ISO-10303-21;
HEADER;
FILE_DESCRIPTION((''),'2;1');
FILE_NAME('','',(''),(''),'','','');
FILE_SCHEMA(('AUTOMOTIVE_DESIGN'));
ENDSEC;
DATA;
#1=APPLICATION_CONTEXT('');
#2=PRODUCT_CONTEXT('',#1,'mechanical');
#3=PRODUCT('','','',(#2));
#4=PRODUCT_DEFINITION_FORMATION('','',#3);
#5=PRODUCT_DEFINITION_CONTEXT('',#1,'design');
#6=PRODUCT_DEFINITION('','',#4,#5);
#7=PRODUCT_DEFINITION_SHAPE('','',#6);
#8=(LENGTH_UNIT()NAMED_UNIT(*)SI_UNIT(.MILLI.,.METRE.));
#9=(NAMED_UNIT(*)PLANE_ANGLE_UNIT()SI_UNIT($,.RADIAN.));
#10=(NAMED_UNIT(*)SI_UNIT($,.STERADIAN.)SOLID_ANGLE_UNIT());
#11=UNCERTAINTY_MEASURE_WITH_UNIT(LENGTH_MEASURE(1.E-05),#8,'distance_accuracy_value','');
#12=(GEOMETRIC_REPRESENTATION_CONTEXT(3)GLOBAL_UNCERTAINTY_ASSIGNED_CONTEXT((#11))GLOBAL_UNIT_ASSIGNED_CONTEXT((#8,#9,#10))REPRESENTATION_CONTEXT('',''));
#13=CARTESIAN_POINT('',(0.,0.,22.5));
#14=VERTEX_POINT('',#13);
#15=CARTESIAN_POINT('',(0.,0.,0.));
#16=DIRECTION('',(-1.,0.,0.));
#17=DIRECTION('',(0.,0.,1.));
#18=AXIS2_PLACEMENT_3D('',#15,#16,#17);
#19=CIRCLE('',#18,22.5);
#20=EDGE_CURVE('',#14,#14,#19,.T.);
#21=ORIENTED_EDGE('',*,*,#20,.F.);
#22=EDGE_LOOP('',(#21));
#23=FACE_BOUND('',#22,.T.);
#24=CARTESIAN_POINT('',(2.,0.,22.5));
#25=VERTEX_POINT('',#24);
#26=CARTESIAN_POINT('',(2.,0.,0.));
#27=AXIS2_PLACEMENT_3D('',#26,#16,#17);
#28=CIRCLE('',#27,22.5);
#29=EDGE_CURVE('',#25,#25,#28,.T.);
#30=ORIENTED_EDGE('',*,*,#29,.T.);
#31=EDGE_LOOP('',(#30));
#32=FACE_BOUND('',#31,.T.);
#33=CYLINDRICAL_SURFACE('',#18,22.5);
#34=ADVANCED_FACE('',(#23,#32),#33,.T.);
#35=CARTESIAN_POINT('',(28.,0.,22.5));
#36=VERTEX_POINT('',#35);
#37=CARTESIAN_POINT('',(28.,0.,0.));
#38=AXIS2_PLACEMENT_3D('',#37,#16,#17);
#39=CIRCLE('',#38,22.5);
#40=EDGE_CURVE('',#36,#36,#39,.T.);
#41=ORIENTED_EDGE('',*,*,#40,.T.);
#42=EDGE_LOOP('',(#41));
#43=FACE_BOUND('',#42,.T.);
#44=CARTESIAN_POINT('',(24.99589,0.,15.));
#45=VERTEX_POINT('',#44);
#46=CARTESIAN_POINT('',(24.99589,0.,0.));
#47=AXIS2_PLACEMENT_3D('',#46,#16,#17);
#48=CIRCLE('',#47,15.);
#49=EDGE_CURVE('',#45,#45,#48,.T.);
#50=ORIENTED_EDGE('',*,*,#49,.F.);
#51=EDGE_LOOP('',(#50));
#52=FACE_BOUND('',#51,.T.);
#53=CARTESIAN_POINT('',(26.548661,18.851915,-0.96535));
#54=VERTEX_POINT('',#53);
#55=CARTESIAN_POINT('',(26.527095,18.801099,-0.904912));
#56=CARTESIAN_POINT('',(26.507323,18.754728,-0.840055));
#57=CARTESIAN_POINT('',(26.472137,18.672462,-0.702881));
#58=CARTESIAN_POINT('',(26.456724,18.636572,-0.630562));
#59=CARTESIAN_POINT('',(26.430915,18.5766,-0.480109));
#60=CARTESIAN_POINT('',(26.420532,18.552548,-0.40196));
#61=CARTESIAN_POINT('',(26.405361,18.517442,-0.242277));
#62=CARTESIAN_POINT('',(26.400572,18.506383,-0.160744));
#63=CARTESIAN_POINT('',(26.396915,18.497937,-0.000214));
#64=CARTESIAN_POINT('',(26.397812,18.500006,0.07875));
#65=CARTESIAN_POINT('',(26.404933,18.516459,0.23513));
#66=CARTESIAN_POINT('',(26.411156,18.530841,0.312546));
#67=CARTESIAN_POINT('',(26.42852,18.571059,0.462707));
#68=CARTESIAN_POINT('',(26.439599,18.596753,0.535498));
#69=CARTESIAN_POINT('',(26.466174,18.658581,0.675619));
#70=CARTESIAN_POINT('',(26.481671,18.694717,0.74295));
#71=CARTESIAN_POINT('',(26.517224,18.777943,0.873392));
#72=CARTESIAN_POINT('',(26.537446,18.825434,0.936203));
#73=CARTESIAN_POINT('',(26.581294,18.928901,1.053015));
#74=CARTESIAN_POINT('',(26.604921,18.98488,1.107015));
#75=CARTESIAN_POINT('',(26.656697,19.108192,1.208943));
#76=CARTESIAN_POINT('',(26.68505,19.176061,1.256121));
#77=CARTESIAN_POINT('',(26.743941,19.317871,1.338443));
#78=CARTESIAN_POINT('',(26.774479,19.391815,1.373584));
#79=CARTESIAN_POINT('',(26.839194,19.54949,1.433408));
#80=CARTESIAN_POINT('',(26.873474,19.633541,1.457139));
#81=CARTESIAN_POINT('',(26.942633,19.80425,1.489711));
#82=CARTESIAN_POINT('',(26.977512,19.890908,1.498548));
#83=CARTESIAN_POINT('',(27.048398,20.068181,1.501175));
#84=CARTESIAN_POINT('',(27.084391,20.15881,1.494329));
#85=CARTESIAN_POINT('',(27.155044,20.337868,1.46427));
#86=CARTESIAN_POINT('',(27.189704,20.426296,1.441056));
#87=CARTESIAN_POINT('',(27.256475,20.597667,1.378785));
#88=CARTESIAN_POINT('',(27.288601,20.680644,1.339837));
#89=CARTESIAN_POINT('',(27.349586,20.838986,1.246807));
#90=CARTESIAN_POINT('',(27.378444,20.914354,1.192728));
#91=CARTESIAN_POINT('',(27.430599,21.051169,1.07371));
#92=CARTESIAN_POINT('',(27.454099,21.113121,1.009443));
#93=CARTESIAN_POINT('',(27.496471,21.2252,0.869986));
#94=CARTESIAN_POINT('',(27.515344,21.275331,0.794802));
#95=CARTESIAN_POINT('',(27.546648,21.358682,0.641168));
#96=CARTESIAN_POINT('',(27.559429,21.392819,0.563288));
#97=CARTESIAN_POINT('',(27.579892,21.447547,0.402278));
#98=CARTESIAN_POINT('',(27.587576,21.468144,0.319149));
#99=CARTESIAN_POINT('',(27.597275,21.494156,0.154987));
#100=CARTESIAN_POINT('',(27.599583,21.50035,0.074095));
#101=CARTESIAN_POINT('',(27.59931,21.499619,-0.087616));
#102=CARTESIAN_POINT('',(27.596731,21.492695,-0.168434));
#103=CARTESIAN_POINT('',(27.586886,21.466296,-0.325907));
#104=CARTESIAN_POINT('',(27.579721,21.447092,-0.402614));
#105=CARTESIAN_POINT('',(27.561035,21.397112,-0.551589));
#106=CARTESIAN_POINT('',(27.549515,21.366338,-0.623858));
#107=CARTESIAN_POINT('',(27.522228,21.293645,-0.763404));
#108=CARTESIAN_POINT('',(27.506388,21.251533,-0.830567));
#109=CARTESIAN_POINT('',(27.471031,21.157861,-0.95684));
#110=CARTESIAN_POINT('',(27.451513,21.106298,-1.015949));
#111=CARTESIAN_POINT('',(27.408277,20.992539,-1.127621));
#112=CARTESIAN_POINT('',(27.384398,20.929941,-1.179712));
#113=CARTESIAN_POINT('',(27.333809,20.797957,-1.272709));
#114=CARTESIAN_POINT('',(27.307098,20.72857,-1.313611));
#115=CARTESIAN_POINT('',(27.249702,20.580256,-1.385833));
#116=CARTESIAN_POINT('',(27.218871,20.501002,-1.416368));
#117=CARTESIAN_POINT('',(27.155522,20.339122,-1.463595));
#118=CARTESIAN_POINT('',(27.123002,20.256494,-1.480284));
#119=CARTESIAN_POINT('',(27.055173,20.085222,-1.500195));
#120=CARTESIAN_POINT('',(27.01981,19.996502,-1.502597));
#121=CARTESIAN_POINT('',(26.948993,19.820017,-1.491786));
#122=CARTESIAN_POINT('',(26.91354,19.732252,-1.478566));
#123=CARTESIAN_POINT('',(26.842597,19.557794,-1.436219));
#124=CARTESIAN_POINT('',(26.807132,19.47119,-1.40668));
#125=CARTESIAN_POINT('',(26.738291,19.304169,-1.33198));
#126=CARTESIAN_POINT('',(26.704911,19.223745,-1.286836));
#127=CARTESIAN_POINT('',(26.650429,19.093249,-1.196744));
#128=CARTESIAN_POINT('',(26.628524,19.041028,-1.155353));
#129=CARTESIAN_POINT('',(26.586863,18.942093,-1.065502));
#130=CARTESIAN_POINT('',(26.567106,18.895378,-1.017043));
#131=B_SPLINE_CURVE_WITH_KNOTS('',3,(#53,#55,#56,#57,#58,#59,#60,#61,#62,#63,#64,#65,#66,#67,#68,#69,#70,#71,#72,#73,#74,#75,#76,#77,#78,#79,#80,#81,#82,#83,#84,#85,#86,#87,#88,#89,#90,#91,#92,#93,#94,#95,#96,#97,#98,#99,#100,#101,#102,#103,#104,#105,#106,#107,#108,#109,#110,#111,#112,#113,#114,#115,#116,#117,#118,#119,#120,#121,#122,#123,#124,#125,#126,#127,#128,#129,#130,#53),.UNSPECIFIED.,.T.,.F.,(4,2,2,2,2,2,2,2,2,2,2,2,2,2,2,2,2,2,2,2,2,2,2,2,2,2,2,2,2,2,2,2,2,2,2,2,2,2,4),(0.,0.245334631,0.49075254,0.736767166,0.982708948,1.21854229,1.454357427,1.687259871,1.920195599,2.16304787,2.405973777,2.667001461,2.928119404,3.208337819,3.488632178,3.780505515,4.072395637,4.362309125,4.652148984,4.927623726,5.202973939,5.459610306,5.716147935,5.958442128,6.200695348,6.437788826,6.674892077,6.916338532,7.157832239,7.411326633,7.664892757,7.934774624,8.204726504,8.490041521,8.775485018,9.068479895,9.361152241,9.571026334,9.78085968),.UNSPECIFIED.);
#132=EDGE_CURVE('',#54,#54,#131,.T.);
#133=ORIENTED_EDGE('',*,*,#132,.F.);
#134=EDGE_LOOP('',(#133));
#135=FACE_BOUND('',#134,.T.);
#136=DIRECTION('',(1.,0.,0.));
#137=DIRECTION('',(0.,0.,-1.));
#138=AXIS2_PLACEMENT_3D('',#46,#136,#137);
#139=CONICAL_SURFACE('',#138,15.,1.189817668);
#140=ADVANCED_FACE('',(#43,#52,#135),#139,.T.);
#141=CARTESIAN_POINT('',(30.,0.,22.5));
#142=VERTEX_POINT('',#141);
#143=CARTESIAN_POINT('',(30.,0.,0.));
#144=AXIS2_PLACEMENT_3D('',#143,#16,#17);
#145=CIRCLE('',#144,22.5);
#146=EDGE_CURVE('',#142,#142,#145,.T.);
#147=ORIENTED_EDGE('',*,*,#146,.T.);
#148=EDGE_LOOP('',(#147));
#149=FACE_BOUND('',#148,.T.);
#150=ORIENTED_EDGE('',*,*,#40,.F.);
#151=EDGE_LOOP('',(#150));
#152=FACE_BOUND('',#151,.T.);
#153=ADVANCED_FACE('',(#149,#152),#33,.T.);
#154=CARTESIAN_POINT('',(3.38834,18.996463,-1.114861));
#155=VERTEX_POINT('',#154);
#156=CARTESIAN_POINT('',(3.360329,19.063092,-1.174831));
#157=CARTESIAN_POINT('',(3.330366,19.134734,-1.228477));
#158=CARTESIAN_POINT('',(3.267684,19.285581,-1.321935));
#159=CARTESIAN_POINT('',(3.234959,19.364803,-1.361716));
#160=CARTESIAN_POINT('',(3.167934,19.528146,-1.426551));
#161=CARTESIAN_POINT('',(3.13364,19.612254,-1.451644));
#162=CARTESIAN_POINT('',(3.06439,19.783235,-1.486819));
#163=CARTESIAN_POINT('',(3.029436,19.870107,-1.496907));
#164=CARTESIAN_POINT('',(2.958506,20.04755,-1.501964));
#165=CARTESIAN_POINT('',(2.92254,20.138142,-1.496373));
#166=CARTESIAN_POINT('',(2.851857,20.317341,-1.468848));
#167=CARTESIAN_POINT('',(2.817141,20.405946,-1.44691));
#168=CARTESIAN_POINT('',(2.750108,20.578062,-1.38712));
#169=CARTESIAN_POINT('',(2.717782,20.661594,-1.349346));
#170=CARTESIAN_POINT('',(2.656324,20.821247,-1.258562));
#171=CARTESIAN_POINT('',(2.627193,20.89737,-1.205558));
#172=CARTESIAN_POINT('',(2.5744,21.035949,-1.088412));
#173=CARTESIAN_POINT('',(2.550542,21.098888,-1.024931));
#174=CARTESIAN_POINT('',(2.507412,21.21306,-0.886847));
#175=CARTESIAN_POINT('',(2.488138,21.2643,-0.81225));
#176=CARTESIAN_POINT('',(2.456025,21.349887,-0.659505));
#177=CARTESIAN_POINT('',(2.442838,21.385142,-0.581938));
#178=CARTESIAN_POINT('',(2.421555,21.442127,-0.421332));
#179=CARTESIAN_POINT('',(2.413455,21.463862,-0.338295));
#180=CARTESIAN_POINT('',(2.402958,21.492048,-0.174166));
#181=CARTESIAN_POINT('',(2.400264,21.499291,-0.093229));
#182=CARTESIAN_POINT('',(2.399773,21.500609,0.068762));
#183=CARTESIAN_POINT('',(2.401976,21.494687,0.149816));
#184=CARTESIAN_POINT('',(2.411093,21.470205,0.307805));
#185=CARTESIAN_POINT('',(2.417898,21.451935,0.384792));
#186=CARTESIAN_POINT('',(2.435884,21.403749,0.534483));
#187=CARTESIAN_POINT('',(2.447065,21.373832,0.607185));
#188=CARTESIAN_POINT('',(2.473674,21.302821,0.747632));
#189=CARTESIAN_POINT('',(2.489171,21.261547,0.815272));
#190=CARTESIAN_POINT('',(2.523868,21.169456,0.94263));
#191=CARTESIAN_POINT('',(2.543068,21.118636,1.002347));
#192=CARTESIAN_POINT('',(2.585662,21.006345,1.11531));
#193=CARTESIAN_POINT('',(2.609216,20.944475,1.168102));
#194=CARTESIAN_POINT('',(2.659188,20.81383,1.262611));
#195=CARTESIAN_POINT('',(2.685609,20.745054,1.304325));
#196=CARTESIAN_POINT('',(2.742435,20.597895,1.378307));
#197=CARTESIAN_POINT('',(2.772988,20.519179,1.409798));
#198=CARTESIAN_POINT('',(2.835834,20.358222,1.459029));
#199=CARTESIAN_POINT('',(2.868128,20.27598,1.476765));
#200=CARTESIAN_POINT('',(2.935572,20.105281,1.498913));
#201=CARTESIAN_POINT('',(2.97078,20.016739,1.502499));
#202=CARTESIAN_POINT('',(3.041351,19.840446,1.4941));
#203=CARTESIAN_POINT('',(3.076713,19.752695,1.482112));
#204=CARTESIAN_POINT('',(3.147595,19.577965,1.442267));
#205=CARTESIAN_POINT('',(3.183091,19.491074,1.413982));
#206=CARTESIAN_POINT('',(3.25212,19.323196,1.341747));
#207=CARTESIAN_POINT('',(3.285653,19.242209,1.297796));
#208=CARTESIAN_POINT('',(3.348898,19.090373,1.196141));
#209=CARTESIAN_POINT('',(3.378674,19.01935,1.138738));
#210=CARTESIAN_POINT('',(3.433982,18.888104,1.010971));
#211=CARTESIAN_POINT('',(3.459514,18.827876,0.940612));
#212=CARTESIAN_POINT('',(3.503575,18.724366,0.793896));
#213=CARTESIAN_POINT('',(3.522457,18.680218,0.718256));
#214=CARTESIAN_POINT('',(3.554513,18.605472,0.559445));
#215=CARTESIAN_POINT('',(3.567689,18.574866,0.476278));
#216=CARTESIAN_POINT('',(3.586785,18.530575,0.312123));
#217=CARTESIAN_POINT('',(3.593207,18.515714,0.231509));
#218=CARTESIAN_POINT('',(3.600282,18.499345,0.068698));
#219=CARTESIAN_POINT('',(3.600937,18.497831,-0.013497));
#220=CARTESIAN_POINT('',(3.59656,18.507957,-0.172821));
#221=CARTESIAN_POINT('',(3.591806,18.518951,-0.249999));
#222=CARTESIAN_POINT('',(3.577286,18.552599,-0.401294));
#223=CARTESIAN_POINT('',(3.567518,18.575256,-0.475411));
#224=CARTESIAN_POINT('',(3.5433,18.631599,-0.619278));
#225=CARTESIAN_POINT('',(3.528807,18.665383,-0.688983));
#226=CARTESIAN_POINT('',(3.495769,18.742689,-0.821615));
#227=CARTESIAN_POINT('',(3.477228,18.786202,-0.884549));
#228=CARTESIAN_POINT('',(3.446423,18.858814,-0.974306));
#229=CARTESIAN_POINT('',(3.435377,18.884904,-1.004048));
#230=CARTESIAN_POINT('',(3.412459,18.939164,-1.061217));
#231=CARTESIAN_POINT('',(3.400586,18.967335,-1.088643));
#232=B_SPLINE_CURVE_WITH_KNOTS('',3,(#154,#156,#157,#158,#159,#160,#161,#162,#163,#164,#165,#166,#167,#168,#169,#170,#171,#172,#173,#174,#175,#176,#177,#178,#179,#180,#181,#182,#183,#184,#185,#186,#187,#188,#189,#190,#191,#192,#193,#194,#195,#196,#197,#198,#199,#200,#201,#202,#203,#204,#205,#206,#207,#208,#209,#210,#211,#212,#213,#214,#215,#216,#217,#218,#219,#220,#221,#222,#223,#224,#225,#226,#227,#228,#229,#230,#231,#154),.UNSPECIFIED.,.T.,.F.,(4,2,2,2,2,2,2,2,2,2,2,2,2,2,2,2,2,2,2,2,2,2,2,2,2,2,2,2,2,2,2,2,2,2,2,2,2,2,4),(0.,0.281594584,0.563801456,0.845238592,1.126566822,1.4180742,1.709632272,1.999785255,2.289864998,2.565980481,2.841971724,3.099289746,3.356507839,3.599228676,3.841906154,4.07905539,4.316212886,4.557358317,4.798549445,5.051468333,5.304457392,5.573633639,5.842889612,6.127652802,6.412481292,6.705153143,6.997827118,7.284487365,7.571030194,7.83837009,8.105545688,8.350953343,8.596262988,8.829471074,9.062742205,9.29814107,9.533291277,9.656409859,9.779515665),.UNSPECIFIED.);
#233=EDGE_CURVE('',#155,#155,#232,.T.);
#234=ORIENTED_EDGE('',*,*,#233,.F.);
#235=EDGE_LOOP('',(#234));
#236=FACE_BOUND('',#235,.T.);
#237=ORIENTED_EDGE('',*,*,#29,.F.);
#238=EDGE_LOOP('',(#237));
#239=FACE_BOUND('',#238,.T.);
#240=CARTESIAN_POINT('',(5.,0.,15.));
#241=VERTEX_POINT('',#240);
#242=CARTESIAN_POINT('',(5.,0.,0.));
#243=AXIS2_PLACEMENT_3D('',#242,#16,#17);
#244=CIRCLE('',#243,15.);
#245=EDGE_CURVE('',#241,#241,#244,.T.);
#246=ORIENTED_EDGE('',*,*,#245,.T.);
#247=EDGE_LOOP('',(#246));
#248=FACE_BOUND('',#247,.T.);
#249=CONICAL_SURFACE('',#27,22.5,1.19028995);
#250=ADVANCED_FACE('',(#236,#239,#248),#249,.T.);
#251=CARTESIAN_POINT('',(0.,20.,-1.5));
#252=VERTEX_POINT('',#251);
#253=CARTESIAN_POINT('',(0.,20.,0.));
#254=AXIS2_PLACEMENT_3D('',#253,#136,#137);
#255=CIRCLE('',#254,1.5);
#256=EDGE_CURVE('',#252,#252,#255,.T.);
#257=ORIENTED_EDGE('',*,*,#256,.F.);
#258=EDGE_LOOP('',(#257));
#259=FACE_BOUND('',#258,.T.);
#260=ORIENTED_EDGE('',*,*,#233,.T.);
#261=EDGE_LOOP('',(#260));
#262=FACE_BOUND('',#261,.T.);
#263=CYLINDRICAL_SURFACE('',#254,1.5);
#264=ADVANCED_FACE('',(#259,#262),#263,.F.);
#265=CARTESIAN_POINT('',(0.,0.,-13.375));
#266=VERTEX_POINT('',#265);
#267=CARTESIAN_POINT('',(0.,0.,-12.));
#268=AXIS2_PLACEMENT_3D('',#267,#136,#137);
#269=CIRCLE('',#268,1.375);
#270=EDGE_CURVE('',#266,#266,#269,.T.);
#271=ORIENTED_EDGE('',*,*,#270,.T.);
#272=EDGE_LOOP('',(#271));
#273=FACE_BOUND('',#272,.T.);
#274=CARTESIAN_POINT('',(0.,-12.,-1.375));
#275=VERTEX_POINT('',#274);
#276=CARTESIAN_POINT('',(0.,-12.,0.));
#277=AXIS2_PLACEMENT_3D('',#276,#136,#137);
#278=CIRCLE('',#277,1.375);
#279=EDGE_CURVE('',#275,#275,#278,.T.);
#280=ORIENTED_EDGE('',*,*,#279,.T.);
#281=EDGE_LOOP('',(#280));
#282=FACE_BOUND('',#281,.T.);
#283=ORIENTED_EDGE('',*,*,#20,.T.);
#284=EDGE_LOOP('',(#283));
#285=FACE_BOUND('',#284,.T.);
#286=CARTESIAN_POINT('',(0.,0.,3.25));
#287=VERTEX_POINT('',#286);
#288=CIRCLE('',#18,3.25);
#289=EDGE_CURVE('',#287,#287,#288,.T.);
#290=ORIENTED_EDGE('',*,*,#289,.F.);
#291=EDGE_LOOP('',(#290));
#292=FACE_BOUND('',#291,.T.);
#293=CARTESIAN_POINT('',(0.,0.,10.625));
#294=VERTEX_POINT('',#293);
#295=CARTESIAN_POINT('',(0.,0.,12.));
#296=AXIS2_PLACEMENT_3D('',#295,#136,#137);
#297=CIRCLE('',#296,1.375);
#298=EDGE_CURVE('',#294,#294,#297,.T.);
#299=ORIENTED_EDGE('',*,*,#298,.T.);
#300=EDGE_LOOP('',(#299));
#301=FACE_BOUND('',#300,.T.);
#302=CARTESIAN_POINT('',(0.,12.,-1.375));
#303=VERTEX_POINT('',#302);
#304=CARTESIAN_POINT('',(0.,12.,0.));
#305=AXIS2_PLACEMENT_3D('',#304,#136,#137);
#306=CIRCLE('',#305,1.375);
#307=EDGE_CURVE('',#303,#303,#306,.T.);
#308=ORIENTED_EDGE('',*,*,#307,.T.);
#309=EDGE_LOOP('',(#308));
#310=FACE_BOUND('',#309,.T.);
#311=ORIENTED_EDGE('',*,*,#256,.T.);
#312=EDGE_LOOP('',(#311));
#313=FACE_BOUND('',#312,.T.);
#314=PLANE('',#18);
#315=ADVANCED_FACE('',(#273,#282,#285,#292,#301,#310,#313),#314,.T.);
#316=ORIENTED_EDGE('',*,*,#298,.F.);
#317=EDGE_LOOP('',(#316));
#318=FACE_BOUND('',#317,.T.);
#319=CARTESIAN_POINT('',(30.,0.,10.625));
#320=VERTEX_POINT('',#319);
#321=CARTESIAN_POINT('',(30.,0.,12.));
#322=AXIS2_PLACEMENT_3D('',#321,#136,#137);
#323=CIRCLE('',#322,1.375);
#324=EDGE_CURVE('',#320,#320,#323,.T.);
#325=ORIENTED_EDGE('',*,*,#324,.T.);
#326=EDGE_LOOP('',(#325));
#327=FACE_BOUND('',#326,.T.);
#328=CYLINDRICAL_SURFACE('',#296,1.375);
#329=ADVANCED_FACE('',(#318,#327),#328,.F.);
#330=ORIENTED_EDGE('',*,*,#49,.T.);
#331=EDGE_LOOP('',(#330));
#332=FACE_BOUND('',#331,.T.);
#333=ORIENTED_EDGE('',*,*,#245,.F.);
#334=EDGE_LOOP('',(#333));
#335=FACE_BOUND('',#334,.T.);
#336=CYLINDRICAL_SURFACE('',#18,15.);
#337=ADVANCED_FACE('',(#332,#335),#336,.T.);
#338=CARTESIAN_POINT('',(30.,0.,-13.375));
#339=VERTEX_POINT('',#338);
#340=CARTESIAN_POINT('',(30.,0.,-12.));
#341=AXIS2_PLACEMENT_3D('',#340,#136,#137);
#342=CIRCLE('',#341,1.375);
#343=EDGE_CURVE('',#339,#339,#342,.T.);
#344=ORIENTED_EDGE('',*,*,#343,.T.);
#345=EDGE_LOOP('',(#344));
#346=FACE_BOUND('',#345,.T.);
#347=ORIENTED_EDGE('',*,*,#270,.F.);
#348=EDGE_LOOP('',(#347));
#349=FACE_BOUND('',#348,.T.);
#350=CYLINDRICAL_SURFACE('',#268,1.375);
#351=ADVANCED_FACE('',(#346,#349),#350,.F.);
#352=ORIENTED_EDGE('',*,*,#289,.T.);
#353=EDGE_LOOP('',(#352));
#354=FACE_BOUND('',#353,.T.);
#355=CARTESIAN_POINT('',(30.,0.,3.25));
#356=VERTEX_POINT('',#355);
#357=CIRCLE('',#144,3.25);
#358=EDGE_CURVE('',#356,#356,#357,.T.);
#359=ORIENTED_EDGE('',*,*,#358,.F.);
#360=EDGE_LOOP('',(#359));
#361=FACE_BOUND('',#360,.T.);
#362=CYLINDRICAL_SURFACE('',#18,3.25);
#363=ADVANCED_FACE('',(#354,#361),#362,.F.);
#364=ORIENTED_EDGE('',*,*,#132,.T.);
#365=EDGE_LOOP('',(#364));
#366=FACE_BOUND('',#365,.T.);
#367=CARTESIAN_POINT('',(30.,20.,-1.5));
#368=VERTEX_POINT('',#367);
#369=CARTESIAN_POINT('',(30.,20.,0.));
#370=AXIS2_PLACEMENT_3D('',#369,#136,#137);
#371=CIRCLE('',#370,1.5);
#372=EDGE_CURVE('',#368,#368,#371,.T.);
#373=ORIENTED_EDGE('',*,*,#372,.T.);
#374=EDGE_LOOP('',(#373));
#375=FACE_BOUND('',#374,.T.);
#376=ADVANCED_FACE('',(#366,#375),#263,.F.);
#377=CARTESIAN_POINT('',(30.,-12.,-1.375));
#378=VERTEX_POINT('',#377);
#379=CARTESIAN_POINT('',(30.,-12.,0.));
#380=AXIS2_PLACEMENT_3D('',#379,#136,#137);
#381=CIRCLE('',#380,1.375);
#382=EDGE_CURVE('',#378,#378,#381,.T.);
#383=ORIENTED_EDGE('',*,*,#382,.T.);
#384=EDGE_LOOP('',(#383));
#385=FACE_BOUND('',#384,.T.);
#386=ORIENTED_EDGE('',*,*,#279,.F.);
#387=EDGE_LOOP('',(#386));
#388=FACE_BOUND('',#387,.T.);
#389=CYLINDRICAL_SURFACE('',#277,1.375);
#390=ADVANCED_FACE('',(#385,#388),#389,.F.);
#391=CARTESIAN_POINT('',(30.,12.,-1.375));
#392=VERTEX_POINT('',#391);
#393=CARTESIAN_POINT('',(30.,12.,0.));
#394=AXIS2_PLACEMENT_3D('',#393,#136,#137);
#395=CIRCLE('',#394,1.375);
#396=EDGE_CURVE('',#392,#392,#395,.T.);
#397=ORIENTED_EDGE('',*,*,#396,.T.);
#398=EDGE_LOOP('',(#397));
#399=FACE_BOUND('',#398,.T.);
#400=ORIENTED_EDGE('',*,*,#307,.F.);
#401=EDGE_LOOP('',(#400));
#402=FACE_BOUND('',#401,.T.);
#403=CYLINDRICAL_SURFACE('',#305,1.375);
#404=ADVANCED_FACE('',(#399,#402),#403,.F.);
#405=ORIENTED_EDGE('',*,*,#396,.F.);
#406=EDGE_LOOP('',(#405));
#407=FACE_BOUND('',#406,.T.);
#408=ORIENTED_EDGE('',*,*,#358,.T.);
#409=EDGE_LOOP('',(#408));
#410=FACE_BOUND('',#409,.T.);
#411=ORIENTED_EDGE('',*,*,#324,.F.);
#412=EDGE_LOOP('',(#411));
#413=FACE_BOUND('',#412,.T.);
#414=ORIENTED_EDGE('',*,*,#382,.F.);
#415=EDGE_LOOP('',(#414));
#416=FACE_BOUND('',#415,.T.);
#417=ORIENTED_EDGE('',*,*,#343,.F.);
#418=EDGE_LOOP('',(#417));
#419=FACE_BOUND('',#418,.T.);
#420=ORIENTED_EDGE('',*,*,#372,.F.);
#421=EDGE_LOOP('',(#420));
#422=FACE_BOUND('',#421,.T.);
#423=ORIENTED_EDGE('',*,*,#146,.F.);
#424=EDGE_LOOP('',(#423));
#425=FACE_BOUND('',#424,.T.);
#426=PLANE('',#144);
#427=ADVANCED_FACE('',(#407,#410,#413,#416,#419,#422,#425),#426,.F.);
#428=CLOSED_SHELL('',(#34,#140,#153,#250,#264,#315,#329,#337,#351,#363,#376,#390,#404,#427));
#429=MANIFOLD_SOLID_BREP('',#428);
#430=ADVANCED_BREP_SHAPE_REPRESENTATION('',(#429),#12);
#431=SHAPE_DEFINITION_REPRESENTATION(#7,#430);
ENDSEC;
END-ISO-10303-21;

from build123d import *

# Parameters (mm, degrees)
SKETCH2_R          = 1.375
SKETCH2_R_2        = 1.5
CUT_EXTRUDE1_DEPTH = 44.732139211


with BuildPart() as part:
    # Sketch1 → Revolve1 (revolve)
    with BuildSketch(Plane(origin=(0, 0, 0), x_dir=(1, 0, 0), z_dir=(0, 1, 0)), mode=Mode.PRIVATE) as revolve1_sk:
        Polygon((5, 15), (2, 22.5), (0, 22.5), (0, 3.25), (30, 3.25), (30, 22.5), (28, 22.5), (24.995890376, 15), align=None)
    revolve(revolve1_sk.sketch.rotate(Axis((0, 0, 0), (1, 0, 0)), 180), axis=Axis((0, 0, 0), (1, 0, 0)))

    # Sketch2 → Cut-Extrude1 (cut, through all)
    with BuildSketch(Plane(origin=(30, 0, 0), x_dir=(0, 0, -1), z_dir=(1, 0, 0))):
        with Locations((0, 12)):
            Circle(SKETCH2_R)
        with Locations((0, 20)):
            Circle(SKETCH2_R_2)
        with Locations((12, 0)):
            Circle(SKETCH2_R)
        with Locations((0, -12)):
            Circle(SKETCH2_R)
        with Locations((-12, 0)):
            Circle(SKETCH2_R)
    extrude(amount=-CUT_EXTRUDE1_DEPTH, mode=Mode.SUBTRACT)


solid = part.part
